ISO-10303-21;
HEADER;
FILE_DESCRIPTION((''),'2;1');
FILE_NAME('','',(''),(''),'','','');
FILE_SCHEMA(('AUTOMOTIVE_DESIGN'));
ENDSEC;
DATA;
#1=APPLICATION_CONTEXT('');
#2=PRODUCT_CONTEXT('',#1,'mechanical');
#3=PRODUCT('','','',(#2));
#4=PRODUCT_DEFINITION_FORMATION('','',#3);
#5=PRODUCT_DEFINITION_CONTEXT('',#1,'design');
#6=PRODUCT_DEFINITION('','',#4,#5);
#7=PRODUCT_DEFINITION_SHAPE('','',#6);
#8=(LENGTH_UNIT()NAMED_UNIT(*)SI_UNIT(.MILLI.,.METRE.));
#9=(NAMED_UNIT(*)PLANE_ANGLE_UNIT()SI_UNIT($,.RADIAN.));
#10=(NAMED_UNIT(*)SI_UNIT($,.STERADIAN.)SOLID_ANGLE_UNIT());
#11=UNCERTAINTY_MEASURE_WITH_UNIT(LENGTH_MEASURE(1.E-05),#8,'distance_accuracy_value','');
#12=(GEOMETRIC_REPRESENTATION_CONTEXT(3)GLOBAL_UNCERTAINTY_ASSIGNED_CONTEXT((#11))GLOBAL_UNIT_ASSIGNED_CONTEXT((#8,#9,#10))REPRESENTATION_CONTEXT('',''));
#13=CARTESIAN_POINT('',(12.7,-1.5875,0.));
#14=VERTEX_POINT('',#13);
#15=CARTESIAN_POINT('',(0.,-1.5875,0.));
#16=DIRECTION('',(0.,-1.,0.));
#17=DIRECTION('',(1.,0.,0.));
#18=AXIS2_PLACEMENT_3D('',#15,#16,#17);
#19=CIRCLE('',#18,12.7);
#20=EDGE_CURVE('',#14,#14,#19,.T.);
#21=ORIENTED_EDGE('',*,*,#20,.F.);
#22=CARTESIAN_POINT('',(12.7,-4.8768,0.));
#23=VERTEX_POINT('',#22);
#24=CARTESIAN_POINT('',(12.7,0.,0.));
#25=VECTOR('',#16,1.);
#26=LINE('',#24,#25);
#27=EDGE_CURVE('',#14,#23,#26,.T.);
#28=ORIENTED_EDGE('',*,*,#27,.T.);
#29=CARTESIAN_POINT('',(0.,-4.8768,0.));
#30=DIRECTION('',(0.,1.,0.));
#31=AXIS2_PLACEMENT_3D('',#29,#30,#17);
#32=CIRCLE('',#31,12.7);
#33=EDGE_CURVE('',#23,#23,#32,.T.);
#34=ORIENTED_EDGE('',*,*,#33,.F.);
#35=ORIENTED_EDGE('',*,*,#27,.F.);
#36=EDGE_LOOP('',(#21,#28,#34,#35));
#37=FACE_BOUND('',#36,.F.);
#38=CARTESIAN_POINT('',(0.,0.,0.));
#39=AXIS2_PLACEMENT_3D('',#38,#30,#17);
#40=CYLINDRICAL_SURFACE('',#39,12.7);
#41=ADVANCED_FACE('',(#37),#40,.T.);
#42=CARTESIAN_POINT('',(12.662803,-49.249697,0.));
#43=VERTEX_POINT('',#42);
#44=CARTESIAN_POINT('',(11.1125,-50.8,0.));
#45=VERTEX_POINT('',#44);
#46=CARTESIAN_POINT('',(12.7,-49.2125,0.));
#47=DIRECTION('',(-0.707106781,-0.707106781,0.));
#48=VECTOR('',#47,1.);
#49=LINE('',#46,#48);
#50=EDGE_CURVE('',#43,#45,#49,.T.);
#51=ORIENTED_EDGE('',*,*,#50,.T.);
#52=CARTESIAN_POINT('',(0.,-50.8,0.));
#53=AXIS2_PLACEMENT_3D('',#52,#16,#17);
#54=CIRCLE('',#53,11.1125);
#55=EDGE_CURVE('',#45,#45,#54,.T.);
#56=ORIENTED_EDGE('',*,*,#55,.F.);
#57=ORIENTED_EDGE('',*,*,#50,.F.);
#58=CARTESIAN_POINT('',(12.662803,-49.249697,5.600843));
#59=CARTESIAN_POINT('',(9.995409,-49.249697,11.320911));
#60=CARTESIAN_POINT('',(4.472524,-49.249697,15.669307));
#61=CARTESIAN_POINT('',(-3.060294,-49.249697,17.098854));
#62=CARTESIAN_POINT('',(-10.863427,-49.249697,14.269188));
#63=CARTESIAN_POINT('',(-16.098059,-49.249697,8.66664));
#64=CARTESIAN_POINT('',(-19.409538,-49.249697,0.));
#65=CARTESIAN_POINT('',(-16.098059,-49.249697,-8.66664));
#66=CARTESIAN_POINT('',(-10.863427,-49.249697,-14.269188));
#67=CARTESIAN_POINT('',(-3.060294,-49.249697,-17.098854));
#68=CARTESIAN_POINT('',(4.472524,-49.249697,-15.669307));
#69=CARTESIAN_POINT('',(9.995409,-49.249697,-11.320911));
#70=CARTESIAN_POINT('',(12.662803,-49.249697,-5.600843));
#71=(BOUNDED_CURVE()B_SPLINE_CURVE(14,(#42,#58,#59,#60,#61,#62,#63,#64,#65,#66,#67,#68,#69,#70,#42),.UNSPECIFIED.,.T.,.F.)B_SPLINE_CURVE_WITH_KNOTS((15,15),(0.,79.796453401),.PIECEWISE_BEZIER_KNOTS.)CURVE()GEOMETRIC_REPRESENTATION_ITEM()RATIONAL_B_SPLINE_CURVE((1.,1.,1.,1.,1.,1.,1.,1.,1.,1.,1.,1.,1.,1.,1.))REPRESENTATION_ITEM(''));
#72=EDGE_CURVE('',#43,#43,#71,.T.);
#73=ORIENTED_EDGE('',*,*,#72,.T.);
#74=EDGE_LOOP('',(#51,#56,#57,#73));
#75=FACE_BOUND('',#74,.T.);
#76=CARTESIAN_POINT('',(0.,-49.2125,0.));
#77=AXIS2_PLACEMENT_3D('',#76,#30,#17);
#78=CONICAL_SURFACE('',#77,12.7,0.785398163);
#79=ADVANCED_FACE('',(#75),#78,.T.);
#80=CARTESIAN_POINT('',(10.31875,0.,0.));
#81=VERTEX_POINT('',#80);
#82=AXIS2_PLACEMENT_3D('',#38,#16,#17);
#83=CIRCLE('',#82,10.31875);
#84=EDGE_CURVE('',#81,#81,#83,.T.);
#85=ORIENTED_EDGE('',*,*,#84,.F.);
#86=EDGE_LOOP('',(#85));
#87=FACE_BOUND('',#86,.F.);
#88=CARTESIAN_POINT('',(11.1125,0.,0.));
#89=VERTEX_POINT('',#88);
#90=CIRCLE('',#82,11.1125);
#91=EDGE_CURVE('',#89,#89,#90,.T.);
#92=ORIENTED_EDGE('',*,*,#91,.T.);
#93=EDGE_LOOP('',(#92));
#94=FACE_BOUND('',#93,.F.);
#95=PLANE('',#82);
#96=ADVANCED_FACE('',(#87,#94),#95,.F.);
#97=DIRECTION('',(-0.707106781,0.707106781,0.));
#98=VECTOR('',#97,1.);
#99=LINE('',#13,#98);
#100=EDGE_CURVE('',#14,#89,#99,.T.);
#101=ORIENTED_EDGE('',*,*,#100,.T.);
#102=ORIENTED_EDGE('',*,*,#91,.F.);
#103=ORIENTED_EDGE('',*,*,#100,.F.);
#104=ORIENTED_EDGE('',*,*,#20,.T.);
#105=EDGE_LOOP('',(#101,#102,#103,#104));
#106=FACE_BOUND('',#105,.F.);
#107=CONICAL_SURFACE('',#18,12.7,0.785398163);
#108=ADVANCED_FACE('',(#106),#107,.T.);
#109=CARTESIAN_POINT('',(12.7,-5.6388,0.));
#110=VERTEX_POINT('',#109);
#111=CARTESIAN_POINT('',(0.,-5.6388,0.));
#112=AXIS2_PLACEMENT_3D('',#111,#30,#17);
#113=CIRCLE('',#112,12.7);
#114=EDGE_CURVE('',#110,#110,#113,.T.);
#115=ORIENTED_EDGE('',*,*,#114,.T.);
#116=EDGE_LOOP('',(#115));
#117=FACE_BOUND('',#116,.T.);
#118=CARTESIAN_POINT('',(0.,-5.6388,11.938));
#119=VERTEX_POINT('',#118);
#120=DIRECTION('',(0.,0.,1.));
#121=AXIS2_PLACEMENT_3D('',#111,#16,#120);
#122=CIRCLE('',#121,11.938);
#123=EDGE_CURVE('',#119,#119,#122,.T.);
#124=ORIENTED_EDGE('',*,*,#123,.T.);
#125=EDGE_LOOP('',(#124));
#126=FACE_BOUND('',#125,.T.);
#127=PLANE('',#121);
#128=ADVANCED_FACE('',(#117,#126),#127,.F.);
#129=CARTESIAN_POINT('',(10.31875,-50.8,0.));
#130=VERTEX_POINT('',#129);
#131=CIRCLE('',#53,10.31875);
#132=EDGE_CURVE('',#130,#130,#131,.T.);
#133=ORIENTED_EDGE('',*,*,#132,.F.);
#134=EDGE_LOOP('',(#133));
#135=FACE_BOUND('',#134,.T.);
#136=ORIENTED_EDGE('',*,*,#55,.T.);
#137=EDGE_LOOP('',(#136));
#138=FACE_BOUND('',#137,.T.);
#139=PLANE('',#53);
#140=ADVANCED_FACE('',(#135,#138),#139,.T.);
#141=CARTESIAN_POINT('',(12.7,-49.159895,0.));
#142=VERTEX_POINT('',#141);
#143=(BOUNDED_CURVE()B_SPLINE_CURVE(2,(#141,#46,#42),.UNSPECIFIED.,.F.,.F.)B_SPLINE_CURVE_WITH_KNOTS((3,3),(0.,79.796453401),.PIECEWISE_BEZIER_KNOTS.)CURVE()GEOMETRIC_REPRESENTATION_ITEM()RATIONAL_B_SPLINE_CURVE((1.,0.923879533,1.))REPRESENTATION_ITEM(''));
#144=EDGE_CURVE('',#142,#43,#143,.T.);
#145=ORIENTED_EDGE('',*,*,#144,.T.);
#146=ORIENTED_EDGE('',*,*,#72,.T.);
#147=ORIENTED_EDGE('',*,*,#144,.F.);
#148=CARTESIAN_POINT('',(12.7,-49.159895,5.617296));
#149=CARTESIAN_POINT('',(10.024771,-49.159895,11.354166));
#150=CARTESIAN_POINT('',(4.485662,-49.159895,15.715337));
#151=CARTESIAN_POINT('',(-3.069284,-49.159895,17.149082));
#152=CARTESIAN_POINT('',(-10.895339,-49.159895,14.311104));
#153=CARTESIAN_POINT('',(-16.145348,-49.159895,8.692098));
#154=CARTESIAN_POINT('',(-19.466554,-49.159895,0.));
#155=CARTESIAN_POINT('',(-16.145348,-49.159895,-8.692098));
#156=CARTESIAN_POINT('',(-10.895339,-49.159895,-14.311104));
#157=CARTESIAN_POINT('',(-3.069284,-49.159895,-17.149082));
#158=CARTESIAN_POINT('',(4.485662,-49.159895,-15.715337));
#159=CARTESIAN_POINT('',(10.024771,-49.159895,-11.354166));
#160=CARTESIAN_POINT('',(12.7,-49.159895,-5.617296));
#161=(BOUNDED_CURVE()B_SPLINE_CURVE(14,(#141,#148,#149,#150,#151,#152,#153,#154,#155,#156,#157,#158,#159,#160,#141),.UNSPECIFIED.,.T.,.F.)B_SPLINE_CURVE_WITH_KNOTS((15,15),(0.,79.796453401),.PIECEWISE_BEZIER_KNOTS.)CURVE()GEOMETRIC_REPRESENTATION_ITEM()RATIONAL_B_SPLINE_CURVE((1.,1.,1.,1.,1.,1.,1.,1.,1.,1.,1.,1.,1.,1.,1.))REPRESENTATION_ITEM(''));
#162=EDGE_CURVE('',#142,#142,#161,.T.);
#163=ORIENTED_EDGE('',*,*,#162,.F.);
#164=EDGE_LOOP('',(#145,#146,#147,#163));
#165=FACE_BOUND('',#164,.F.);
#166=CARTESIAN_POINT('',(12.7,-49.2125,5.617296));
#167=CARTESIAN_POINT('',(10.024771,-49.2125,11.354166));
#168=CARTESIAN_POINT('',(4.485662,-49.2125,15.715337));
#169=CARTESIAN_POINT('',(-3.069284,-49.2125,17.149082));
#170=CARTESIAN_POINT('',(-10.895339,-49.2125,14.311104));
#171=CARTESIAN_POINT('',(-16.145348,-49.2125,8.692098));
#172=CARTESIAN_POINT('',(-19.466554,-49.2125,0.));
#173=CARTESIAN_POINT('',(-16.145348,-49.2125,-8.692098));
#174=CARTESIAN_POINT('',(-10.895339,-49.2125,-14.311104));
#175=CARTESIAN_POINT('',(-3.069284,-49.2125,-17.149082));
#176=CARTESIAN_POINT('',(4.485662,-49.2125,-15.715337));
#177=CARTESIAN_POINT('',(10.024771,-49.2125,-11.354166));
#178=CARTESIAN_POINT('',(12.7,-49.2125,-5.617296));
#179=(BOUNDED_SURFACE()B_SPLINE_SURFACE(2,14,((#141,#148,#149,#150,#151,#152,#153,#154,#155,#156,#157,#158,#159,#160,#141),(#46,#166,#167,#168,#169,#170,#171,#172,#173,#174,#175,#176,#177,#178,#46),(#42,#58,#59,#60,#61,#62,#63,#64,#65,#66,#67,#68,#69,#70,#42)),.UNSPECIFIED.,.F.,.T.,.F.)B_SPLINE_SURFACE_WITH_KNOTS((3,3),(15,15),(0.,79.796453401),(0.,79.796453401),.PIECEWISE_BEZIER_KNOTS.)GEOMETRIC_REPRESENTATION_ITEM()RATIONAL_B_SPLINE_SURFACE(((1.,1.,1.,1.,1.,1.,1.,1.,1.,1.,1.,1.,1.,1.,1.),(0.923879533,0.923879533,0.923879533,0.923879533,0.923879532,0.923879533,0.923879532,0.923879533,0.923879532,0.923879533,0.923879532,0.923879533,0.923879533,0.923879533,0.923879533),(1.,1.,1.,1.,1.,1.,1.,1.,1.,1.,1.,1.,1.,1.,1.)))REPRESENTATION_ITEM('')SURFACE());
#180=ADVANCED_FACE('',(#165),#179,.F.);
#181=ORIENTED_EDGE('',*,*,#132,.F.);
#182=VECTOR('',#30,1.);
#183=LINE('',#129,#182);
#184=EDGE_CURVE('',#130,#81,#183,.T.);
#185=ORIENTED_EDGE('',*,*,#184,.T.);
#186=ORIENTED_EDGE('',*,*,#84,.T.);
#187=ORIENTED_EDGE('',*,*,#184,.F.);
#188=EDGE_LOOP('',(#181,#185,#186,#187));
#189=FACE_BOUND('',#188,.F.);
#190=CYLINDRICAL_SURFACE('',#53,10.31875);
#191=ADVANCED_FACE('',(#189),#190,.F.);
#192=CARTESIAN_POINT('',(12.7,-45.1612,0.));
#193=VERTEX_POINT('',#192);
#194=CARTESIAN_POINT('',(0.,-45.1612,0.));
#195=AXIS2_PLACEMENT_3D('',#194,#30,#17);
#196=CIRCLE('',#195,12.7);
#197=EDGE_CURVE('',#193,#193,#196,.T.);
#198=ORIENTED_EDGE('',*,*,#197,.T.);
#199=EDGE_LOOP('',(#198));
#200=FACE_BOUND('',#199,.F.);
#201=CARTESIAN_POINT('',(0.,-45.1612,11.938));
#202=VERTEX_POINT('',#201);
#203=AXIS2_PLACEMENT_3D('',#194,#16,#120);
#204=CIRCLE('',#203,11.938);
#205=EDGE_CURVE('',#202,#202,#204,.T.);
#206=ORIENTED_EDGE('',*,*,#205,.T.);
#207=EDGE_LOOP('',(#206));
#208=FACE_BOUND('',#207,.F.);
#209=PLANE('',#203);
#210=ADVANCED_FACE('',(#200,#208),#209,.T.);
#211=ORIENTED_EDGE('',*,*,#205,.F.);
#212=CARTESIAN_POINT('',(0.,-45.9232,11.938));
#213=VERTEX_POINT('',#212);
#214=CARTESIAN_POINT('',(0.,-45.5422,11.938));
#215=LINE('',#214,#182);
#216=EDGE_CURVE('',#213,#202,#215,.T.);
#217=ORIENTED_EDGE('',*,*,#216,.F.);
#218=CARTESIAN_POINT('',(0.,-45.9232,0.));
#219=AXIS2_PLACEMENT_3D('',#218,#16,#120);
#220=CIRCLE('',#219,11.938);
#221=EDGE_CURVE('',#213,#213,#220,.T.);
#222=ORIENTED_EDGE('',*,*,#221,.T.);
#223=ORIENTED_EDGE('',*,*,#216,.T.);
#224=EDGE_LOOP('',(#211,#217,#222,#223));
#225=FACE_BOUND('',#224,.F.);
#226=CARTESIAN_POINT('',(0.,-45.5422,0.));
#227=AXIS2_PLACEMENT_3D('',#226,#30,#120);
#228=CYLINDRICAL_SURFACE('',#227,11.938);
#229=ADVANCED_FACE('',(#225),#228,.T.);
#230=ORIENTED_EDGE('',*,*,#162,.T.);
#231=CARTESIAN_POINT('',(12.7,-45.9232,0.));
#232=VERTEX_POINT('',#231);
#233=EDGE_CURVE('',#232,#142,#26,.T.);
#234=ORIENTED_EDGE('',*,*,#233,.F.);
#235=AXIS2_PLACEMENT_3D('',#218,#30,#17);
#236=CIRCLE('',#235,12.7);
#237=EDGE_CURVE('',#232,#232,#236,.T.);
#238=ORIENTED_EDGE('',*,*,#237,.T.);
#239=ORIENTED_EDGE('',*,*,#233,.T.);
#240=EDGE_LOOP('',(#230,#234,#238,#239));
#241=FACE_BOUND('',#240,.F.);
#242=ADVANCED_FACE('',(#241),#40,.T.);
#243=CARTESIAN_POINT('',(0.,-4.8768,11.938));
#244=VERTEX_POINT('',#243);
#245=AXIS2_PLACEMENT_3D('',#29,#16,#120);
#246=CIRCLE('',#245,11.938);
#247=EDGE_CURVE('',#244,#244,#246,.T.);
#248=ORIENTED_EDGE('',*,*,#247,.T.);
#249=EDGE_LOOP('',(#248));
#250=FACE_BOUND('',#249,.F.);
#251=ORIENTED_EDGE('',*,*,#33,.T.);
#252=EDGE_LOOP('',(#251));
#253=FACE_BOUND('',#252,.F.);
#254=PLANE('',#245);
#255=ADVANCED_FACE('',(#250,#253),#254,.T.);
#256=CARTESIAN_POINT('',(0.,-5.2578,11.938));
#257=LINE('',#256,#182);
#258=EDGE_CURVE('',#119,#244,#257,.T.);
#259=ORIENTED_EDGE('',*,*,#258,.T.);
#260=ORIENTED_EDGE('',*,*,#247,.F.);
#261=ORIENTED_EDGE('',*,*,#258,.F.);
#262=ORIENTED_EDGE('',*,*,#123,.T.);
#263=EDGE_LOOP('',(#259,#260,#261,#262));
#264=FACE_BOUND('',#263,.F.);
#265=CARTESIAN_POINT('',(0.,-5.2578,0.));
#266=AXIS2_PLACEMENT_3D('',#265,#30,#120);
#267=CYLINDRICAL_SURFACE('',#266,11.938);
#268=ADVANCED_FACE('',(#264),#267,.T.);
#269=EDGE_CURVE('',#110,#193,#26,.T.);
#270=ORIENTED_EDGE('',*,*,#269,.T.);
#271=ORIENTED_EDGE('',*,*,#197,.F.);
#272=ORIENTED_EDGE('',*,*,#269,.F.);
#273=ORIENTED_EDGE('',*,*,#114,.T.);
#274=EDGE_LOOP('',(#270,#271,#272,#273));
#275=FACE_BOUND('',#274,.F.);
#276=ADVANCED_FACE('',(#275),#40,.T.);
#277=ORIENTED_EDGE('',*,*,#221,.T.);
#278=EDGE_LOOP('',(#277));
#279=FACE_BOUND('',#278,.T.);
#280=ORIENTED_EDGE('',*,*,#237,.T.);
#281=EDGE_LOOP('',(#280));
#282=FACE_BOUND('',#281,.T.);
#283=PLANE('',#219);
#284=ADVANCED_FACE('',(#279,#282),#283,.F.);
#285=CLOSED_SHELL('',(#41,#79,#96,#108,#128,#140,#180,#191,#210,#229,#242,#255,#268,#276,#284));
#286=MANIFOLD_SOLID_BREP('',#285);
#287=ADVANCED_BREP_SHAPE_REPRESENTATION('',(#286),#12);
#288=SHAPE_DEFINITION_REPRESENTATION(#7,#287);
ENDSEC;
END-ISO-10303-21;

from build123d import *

# Parameters (mm, degrees)
F0_R     = 12.7
F1_DEPTH = 50.8
F2_SIZE  = 1.5875
F3_W     = 0.762
F3_H     = 1.8157000701
F6_R     = 0.127
F7_R     = 10.31875
F8_DEPTH = 50.801


with BuildPart() as f1:
    # F0 (on Front) → F1 (new body)
    with BuildSketch(Plane.XZ):
        Circle(F0_R)
    extrude(amount=F1_DEPTH)

    # F2
    f2_edges = [f1.edges().sort_by_distance(p)[0] for p in [
        (-12.7, -50.8, 0),
        (-12.7, 0, 0),
    ]]
    chamfer(f2_edges, length=F2_SIZE)

    # F3 (on Right) → F5 (revolve, cut)
    with BuildSketch(Plane.YZ):
        with Locations((-45.5422, 12.845850035)):
            Rectangle(F3_W, F3_H)
        with Locations((-5.2578, 12.845850035)):
            Rectangle(F3_W, F3_H)
    revolve(axis=Axis((0, -27.9251299798, 0), (0, -1, 0)), mode=Mode.SUBTRACT)

    # F6
    f6_edges = [f1.edges().sort_by_distance(p)[0] for p in [
        (-12.7, -49.2125, 0),
    ]]
    fillet(f6_edges, radius=F6_R)

    # F7 (on face) → F8 (cut, through all)
    with BuildSketch(Plane.XZ.offset(50.8)):
        Circle(F7_R)
    extrude(amount=-F8_DEPTH, mode=Mode.SUBTRACT)


solid = f1.part
